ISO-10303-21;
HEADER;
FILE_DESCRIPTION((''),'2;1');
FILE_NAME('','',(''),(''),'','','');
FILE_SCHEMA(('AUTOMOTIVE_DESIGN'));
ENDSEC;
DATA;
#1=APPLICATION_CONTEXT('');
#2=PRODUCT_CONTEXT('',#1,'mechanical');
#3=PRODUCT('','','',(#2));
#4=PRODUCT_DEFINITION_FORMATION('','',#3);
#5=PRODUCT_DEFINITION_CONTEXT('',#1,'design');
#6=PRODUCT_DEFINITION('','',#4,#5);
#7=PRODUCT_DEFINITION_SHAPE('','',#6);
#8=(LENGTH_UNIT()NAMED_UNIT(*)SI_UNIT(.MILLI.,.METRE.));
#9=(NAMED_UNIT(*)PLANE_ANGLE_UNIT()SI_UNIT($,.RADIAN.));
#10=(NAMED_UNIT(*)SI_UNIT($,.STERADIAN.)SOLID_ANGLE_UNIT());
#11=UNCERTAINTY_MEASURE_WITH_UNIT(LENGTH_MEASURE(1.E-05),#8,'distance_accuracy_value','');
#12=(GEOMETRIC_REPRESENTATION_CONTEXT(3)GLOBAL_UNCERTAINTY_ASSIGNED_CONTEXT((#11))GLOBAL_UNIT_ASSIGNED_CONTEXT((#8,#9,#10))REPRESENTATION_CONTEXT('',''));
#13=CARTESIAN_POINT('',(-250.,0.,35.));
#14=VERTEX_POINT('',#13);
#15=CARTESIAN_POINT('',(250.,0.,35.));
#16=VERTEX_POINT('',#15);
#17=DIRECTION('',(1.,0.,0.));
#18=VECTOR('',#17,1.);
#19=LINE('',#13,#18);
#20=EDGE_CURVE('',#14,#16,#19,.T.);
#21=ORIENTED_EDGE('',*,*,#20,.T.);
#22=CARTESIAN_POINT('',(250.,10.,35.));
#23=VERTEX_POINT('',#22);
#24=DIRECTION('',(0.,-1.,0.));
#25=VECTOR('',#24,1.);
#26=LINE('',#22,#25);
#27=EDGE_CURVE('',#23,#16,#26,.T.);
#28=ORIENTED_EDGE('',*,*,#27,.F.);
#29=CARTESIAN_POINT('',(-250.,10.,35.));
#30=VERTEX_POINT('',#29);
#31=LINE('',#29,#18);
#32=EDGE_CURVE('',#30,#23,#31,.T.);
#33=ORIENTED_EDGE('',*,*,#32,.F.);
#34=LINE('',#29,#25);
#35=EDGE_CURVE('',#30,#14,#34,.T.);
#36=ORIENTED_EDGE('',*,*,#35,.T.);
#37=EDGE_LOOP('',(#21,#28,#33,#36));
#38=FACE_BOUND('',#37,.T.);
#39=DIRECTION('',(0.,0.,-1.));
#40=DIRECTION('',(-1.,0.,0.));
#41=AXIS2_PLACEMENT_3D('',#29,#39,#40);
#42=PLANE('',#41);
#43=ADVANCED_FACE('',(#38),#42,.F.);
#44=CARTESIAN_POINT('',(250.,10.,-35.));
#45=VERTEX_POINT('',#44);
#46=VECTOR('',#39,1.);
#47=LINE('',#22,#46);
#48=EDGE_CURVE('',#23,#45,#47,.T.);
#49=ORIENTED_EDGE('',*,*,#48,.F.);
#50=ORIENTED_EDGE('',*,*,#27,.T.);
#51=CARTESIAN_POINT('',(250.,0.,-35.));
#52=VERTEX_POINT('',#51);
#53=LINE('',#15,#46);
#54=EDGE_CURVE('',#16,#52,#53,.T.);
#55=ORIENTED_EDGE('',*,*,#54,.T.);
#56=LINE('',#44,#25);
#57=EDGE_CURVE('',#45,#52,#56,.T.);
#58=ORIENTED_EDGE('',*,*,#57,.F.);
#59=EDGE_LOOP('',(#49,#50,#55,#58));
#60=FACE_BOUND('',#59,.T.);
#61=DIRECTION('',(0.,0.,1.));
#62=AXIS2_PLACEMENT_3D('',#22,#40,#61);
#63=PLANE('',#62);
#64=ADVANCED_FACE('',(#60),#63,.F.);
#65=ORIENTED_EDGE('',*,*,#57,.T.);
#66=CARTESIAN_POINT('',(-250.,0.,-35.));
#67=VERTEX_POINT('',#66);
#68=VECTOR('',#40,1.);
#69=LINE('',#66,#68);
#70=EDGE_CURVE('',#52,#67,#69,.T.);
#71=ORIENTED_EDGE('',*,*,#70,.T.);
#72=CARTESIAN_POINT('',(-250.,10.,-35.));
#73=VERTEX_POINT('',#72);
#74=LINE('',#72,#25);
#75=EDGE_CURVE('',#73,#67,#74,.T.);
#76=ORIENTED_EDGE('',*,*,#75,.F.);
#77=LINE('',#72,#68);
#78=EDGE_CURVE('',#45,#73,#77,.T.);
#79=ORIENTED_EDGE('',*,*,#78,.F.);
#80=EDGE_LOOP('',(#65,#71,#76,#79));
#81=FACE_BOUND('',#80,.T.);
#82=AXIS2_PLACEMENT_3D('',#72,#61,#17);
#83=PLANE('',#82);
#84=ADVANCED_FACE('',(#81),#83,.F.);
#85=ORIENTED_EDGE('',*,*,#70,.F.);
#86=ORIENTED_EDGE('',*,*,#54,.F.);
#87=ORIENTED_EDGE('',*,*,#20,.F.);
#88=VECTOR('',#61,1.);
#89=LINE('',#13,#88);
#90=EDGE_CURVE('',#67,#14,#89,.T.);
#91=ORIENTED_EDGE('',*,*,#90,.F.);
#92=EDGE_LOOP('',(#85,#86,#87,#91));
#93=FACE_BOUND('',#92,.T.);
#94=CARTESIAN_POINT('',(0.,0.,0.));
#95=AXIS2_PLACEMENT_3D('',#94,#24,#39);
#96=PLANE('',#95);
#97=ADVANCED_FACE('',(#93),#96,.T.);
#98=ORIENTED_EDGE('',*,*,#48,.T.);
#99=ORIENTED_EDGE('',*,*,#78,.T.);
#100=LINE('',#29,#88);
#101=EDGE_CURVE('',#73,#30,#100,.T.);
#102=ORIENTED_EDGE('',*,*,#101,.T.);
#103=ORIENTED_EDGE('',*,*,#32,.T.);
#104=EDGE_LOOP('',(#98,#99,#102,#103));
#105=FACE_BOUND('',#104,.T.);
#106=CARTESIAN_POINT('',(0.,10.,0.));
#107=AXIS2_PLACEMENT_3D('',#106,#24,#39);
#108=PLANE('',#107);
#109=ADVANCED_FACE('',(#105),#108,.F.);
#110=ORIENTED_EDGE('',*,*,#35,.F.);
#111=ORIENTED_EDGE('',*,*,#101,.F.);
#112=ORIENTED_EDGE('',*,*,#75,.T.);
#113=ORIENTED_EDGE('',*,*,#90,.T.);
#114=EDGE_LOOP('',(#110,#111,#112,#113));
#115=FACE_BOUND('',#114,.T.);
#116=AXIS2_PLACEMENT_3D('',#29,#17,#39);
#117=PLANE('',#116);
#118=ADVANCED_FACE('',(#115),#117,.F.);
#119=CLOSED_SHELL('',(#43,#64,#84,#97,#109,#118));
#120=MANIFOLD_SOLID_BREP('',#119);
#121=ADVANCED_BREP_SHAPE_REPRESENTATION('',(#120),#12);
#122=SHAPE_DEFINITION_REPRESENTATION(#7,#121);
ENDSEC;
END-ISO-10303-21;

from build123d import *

# Parameters (mm, degrees)
SKETCH1_W           = 500
SKETCH1_H           = 70
BOSS_EXTRUDE1_DEPTH = 10


with BuildPart() as part:
    # Sketch1 → Boss-Extrude1 (new body)
    with BuildSketch(Plane(origin=(0, 0, 0), x_dir=(1, 0, 0), z_dir=(0, 1, 0))):
        Rectangle(SKETCH1_W, SKETCH1_H)
    extrude(amount=BOSS_EXTRUDE1_DEPTH)


solid = part.part
